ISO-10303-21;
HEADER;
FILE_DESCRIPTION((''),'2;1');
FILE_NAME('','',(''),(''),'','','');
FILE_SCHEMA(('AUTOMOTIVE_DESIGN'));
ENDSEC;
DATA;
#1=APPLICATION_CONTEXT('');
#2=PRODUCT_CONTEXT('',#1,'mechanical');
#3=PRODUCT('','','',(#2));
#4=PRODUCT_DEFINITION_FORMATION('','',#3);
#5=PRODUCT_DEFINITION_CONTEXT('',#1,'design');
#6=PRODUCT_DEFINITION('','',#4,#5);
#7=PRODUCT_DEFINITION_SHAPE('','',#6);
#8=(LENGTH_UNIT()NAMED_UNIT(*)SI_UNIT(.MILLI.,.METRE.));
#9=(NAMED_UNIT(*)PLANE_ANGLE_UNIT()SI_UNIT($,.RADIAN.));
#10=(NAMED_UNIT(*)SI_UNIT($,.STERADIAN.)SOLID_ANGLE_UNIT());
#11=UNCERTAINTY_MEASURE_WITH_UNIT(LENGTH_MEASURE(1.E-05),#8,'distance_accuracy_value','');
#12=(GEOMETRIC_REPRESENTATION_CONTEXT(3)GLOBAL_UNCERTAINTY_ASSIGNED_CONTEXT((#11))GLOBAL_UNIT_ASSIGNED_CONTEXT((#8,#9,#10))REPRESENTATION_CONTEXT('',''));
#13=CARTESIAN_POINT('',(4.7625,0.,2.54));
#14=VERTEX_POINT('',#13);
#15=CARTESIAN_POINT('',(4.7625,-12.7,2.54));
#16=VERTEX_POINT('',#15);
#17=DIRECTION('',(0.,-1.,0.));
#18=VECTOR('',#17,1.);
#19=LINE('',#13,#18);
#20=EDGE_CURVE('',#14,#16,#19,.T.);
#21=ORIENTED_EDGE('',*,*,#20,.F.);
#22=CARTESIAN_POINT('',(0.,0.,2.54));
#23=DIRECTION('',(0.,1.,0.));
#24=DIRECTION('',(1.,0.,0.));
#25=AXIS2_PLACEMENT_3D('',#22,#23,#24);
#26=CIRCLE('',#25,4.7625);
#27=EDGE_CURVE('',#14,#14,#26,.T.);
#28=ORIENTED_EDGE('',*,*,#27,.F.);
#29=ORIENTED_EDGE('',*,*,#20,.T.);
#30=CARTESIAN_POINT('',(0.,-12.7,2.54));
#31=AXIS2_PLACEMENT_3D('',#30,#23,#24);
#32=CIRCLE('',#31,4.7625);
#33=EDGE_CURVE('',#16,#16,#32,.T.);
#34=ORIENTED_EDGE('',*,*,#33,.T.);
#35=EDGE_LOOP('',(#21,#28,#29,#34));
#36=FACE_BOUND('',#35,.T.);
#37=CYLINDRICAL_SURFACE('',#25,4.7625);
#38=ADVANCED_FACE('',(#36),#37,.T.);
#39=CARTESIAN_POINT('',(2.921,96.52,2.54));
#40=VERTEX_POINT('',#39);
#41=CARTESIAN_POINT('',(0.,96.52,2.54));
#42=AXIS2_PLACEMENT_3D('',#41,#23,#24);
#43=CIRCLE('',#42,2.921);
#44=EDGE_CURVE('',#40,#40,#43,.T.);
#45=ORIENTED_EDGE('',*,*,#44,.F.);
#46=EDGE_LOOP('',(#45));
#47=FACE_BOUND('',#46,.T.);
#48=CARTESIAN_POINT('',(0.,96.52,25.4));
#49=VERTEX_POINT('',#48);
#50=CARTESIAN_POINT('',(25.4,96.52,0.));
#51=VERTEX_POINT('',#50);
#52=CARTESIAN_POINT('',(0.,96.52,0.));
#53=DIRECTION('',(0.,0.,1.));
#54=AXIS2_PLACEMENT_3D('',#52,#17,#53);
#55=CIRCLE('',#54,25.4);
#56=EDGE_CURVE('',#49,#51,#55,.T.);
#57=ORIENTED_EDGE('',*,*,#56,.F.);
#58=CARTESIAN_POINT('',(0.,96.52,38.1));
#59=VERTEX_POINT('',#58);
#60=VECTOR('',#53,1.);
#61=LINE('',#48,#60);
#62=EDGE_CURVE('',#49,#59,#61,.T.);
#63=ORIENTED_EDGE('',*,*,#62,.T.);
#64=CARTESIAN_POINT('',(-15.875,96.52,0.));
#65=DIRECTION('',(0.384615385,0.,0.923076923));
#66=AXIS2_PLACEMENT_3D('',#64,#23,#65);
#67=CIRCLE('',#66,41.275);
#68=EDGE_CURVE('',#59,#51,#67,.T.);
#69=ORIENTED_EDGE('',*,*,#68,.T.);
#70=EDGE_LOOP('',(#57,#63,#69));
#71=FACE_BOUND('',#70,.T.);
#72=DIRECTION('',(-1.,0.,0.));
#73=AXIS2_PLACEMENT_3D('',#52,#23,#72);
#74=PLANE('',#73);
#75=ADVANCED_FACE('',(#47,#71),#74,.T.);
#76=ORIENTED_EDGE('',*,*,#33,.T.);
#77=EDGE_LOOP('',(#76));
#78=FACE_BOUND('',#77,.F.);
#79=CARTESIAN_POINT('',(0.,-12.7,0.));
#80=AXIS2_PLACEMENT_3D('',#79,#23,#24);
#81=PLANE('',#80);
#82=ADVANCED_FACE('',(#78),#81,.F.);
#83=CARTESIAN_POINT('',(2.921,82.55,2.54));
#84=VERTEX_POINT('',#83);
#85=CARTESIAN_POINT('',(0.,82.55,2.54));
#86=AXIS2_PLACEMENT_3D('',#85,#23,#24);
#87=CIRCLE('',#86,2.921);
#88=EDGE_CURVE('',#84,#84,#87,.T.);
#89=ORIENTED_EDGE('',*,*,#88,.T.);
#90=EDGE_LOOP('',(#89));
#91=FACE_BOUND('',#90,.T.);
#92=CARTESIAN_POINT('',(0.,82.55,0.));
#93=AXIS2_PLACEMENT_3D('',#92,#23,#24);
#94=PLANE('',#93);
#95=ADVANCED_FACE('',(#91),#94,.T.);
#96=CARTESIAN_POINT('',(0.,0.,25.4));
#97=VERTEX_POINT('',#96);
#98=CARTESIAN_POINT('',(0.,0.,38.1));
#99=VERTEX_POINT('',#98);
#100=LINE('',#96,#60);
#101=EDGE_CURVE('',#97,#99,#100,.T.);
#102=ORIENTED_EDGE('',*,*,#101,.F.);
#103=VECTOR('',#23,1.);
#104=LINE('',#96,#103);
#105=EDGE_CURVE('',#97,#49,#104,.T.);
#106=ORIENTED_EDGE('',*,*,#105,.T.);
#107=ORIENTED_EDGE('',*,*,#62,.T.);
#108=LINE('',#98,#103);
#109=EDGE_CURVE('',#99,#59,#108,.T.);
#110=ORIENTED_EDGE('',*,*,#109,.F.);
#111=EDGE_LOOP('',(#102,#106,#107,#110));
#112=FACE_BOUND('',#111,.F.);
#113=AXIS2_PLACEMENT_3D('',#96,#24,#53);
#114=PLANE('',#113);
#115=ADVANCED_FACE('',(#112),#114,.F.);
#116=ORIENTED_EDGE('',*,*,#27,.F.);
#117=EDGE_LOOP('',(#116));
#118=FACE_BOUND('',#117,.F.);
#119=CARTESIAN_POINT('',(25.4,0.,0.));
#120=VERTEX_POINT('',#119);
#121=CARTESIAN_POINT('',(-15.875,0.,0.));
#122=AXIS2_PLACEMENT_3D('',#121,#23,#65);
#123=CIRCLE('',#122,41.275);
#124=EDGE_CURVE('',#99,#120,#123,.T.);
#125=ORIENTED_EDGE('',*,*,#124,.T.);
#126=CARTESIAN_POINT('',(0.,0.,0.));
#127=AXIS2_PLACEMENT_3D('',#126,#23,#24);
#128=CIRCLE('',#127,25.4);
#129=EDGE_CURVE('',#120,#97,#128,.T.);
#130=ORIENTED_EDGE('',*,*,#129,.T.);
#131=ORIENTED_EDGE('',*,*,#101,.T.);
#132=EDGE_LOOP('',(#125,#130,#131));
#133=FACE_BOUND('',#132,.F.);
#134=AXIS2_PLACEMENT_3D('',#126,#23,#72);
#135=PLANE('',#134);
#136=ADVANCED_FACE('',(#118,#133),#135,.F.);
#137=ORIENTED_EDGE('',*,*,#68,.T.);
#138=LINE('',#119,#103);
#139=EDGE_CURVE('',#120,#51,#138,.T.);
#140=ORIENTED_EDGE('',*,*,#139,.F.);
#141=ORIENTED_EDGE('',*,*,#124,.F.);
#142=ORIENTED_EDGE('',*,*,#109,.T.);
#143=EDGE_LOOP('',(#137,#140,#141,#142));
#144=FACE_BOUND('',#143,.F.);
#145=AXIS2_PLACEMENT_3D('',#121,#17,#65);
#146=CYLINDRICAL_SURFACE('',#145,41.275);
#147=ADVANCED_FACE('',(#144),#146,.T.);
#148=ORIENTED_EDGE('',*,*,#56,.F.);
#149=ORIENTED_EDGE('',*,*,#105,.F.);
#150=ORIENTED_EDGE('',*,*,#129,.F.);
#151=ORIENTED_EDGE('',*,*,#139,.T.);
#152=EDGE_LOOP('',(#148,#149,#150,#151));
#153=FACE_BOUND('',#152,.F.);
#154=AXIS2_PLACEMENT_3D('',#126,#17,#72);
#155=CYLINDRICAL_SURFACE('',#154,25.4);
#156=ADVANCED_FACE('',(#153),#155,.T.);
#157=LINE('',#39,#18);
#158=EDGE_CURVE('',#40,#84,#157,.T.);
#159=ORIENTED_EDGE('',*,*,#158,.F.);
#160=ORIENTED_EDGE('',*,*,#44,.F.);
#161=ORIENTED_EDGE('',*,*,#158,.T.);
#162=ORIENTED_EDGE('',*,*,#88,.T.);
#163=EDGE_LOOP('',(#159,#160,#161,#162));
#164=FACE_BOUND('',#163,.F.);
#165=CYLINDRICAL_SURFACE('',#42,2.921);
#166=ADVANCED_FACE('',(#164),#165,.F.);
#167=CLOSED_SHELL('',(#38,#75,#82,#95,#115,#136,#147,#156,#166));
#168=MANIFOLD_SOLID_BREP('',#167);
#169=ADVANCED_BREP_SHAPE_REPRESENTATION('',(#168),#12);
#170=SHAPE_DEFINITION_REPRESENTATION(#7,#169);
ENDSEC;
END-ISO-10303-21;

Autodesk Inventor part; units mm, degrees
ref_plane "YZ Plane" through (0, 0, 0) normal (1, 0, 0) x (0, 1, 0)
ref_plane "XZ Plane" through (0, 0, 0) normal (0, 1, 0) x (-1, 0, 0)
ref_plane "XY Plane" through (0, 0, 0) normal (0, 0, 1) x (1, 0, 0)
sketch "Sketch1" plane through (0, 0, 0) normal (0, 1, 0) x (-1, 0, 0)
  circle A0 centre (0, 0) radius 25.4
  line L0 (0, 25.4) -> (0, 38.1)
  line L1 (0, 0) -> (0, 25.4) construction
  arc A1 (0, 38.1) -> (-25.4, 0) centre (15.875, 0) ccw
  line L2 (0, 0) -> (-25.4, 0) construction
  dimension "d0" = 50.8
  dimension "d1" = 12.7
extrude "Extrusion1" add sketch "Sketch1" along normal blind 96.52
ref_plane "Work Plane1" through (0, 48.26, 0) normal (0, 1, 0) x (1, 0, 0)
sketch "Sketch2" plane through (0, 96.52, 0) normal (0, 1, 0) x (1, 0, 0)
  circle A0 centre (0, -2.54) radius 2.921
  circle A1 centre (0, -2.54) radius 4.7625
  circle A2 centre (0, -2.54) radius 2.286
  point P0 (0, 0)
  dimension "d4" = 2.54
  dimension "d5" = 5.842
  dimension "d6" = 9.525
  dimension "d11" = 4.572
extrude "Extrusion2" add sketch "Sketch2" against normal blind 12.7 from surface at -96.52 contours A0 | A1 | A2
extrude "Extrusion3" cut sketch "Sketch2" against normal blind 13.97 contours A0 | A2
properties part number "Drum"
